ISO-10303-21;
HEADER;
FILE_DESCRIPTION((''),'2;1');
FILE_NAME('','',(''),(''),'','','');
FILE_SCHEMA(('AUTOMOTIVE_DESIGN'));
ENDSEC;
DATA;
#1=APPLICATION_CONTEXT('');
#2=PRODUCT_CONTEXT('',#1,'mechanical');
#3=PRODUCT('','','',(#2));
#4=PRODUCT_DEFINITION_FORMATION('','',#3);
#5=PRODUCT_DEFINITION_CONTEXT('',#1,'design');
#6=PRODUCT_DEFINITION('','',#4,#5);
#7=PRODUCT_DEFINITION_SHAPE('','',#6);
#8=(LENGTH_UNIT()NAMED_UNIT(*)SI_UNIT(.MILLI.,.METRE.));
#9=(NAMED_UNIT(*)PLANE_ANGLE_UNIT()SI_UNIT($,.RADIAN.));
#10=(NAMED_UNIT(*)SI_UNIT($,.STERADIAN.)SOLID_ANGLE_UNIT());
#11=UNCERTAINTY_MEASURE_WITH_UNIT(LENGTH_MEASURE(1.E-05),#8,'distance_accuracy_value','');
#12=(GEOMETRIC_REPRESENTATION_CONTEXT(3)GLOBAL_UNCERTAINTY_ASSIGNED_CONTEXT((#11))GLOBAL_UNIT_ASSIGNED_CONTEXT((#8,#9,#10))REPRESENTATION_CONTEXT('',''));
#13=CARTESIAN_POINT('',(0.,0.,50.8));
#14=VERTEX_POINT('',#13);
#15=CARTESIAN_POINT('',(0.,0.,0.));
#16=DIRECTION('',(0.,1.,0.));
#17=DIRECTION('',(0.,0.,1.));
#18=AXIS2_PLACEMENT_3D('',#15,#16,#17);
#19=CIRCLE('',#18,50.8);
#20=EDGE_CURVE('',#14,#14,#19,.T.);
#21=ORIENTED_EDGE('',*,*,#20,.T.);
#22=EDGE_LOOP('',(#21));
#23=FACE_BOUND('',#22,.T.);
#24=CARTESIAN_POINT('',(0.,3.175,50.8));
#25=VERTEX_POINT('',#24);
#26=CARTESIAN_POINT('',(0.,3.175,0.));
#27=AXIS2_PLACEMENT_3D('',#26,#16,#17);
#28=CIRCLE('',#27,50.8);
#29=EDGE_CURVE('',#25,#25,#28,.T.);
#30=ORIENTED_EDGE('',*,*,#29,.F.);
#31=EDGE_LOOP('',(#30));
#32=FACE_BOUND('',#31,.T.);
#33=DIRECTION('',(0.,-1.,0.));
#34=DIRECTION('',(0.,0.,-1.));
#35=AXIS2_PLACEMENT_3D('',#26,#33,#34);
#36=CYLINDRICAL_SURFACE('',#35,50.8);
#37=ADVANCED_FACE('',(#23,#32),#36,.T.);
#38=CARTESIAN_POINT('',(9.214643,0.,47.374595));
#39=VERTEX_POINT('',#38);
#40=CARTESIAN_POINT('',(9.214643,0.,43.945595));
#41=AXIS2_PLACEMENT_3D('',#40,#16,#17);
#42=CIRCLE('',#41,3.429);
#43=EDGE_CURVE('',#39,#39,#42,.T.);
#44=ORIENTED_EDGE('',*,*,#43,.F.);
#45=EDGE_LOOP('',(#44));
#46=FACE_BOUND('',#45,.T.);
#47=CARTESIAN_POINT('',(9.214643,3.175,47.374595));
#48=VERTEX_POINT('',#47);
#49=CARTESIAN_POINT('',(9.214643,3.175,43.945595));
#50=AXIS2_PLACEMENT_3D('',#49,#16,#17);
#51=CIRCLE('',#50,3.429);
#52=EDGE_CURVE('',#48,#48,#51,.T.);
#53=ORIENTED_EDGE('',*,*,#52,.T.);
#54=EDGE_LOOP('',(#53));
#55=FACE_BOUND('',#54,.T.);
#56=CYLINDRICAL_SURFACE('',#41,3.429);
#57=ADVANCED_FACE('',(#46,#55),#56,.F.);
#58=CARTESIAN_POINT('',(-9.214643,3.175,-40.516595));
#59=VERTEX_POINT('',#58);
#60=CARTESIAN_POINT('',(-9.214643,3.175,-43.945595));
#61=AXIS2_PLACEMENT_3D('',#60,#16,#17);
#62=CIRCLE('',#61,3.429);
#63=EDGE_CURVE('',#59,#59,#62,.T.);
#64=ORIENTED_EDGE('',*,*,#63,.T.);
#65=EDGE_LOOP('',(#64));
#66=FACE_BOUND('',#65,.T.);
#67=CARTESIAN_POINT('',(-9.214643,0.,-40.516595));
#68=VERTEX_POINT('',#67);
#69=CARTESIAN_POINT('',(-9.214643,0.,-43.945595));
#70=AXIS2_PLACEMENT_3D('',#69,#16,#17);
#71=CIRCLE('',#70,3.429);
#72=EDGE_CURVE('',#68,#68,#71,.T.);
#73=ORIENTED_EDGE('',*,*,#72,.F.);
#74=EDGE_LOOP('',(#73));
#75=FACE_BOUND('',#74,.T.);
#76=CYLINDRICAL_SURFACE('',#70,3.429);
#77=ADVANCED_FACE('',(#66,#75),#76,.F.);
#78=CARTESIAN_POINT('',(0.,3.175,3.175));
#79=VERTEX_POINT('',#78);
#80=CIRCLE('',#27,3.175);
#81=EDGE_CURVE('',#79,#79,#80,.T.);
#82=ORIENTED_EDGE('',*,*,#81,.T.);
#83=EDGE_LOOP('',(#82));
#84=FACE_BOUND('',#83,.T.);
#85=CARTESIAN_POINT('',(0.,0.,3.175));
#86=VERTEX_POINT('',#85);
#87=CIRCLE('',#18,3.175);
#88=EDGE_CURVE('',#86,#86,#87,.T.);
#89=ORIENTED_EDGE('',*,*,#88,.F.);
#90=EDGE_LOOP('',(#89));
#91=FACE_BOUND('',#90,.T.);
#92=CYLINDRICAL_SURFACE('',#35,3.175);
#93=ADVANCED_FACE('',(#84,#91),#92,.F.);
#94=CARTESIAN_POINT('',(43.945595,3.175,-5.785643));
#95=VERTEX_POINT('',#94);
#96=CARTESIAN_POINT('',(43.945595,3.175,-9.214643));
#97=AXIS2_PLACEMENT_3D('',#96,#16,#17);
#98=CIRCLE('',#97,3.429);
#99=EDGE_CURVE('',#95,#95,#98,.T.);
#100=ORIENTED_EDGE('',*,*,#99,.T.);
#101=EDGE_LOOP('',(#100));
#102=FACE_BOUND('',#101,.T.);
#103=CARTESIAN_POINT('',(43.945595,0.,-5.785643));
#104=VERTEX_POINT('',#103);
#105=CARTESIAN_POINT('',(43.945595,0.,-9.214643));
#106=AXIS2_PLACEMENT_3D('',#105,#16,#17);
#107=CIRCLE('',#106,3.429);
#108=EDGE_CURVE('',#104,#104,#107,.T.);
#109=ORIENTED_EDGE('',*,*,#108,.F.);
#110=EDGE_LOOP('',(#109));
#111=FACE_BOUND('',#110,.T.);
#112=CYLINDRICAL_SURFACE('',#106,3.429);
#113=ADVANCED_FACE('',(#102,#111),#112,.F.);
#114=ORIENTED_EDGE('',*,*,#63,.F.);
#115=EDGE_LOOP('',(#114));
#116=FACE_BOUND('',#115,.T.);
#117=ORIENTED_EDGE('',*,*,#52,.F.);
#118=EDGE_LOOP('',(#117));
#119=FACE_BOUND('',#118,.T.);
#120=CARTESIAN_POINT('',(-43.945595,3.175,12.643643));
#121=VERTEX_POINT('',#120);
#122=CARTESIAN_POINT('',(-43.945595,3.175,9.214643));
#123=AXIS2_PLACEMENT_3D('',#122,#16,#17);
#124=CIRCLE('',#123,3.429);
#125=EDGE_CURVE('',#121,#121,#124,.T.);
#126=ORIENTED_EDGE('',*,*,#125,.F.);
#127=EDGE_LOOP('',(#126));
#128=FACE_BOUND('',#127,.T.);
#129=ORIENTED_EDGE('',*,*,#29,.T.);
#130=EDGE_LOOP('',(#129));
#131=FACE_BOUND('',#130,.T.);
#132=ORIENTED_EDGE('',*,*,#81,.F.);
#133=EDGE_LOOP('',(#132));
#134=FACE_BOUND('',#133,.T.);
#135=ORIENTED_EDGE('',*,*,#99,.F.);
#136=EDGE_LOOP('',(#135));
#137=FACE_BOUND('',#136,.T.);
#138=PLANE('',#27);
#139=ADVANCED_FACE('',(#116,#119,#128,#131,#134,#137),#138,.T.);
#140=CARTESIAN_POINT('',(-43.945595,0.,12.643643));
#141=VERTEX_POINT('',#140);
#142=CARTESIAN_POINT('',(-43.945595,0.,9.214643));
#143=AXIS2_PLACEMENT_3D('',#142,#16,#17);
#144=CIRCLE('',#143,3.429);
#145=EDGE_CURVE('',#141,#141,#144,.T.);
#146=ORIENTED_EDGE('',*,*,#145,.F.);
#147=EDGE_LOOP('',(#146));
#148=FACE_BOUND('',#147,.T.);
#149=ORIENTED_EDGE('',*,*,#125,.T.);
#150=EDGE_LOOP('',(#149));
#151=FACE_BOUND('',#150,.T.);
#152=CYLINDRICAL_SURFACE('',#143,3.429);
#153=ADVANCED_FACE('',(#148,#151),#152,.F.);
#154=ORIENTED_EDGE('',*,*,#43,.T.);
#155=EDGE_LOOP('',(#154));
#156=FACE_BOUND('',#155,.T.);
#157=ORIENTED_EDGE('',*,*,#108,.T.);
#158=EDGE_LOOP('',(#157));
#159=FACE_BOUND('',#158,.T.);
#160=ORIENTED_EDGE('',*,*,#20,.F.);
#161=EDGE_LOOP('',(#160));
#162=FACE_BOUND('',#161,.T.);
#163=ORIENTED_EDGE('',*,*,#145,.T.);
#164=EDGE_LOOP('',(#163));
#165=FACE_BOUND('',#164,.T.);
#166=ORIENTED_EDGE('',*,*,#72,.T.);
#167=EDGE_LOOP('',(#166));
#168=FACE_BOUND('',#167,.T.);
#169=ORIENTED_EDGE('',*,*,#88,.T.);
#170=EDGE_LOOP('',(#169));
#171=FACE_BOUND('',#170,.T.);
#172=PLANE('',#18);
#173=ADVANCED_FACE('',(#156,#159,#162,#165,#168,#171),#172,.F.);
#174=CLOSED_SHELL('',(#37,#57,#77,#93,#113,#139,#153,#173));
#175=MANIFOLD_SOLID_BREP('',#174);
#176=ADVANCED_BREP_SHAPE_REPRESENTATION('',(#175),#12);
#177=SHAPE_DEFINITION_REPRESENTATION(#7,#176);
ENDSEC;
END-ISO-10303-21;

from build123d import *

# Parameters (mm, degrees)
SKETCH1_R           = 50.8
SKETCH1_R_2         = 3.175
BOSS_EXTRUDE1_DEPTH = 3.175
SKETCH2_R           = 3.429
CUT_EXTRUDE1_DEPTH  = 3.175


with BuildPart() as part:
    # Sketch1 → Boss-Extrude1 (new body)
    with BuildSketch(Plane(origin=(0, 0, 0), x_dir=(1, 0, 0), z_dir=(0, 1, 0))):
        with Locations(Location((0, 0, 0), (0, 0, 270))):
            Circle(SKETCH1_R)
        with Locations(Location((0, 0, 0), (0, 0, 270))):
            Circle(SKETCH1_R_2, mode=Mode.SUBTRACT)
    extrude(amount=BOSS_EXTRUDE1_DEPTH)

    # Sketch2 → Cut-Extrude1 (cut)
    with BuildSketch(Plane(origin=(0, 3.175, 0), x_dir=(1, 0, 0), z_dir=(0, 1, 0))):
        with Locations(Location((-9.214642662, 43.945595463, 0), (0, 0, 270))):
            Circle(SKETCH2_R)
        with Locations(Location((-43.945595463, -9.214642662, 0), (0, 0, 270))):
            Circle(SKETCH2_R)
        with Locations(Location((43.945595463, 9.214642662, 0), (0, 0, 270))):
            Circle(SKETCH2_R)
        with Locations(Location((9.214642662, -43.945595463, 0), (0, 0, 270))):
            Circle(SKETCH2_R)
    extrude(amount=-CUT_EXTRUDE1_DEPTH, mode=Mode.SUBTRACT)


solid = part.part
